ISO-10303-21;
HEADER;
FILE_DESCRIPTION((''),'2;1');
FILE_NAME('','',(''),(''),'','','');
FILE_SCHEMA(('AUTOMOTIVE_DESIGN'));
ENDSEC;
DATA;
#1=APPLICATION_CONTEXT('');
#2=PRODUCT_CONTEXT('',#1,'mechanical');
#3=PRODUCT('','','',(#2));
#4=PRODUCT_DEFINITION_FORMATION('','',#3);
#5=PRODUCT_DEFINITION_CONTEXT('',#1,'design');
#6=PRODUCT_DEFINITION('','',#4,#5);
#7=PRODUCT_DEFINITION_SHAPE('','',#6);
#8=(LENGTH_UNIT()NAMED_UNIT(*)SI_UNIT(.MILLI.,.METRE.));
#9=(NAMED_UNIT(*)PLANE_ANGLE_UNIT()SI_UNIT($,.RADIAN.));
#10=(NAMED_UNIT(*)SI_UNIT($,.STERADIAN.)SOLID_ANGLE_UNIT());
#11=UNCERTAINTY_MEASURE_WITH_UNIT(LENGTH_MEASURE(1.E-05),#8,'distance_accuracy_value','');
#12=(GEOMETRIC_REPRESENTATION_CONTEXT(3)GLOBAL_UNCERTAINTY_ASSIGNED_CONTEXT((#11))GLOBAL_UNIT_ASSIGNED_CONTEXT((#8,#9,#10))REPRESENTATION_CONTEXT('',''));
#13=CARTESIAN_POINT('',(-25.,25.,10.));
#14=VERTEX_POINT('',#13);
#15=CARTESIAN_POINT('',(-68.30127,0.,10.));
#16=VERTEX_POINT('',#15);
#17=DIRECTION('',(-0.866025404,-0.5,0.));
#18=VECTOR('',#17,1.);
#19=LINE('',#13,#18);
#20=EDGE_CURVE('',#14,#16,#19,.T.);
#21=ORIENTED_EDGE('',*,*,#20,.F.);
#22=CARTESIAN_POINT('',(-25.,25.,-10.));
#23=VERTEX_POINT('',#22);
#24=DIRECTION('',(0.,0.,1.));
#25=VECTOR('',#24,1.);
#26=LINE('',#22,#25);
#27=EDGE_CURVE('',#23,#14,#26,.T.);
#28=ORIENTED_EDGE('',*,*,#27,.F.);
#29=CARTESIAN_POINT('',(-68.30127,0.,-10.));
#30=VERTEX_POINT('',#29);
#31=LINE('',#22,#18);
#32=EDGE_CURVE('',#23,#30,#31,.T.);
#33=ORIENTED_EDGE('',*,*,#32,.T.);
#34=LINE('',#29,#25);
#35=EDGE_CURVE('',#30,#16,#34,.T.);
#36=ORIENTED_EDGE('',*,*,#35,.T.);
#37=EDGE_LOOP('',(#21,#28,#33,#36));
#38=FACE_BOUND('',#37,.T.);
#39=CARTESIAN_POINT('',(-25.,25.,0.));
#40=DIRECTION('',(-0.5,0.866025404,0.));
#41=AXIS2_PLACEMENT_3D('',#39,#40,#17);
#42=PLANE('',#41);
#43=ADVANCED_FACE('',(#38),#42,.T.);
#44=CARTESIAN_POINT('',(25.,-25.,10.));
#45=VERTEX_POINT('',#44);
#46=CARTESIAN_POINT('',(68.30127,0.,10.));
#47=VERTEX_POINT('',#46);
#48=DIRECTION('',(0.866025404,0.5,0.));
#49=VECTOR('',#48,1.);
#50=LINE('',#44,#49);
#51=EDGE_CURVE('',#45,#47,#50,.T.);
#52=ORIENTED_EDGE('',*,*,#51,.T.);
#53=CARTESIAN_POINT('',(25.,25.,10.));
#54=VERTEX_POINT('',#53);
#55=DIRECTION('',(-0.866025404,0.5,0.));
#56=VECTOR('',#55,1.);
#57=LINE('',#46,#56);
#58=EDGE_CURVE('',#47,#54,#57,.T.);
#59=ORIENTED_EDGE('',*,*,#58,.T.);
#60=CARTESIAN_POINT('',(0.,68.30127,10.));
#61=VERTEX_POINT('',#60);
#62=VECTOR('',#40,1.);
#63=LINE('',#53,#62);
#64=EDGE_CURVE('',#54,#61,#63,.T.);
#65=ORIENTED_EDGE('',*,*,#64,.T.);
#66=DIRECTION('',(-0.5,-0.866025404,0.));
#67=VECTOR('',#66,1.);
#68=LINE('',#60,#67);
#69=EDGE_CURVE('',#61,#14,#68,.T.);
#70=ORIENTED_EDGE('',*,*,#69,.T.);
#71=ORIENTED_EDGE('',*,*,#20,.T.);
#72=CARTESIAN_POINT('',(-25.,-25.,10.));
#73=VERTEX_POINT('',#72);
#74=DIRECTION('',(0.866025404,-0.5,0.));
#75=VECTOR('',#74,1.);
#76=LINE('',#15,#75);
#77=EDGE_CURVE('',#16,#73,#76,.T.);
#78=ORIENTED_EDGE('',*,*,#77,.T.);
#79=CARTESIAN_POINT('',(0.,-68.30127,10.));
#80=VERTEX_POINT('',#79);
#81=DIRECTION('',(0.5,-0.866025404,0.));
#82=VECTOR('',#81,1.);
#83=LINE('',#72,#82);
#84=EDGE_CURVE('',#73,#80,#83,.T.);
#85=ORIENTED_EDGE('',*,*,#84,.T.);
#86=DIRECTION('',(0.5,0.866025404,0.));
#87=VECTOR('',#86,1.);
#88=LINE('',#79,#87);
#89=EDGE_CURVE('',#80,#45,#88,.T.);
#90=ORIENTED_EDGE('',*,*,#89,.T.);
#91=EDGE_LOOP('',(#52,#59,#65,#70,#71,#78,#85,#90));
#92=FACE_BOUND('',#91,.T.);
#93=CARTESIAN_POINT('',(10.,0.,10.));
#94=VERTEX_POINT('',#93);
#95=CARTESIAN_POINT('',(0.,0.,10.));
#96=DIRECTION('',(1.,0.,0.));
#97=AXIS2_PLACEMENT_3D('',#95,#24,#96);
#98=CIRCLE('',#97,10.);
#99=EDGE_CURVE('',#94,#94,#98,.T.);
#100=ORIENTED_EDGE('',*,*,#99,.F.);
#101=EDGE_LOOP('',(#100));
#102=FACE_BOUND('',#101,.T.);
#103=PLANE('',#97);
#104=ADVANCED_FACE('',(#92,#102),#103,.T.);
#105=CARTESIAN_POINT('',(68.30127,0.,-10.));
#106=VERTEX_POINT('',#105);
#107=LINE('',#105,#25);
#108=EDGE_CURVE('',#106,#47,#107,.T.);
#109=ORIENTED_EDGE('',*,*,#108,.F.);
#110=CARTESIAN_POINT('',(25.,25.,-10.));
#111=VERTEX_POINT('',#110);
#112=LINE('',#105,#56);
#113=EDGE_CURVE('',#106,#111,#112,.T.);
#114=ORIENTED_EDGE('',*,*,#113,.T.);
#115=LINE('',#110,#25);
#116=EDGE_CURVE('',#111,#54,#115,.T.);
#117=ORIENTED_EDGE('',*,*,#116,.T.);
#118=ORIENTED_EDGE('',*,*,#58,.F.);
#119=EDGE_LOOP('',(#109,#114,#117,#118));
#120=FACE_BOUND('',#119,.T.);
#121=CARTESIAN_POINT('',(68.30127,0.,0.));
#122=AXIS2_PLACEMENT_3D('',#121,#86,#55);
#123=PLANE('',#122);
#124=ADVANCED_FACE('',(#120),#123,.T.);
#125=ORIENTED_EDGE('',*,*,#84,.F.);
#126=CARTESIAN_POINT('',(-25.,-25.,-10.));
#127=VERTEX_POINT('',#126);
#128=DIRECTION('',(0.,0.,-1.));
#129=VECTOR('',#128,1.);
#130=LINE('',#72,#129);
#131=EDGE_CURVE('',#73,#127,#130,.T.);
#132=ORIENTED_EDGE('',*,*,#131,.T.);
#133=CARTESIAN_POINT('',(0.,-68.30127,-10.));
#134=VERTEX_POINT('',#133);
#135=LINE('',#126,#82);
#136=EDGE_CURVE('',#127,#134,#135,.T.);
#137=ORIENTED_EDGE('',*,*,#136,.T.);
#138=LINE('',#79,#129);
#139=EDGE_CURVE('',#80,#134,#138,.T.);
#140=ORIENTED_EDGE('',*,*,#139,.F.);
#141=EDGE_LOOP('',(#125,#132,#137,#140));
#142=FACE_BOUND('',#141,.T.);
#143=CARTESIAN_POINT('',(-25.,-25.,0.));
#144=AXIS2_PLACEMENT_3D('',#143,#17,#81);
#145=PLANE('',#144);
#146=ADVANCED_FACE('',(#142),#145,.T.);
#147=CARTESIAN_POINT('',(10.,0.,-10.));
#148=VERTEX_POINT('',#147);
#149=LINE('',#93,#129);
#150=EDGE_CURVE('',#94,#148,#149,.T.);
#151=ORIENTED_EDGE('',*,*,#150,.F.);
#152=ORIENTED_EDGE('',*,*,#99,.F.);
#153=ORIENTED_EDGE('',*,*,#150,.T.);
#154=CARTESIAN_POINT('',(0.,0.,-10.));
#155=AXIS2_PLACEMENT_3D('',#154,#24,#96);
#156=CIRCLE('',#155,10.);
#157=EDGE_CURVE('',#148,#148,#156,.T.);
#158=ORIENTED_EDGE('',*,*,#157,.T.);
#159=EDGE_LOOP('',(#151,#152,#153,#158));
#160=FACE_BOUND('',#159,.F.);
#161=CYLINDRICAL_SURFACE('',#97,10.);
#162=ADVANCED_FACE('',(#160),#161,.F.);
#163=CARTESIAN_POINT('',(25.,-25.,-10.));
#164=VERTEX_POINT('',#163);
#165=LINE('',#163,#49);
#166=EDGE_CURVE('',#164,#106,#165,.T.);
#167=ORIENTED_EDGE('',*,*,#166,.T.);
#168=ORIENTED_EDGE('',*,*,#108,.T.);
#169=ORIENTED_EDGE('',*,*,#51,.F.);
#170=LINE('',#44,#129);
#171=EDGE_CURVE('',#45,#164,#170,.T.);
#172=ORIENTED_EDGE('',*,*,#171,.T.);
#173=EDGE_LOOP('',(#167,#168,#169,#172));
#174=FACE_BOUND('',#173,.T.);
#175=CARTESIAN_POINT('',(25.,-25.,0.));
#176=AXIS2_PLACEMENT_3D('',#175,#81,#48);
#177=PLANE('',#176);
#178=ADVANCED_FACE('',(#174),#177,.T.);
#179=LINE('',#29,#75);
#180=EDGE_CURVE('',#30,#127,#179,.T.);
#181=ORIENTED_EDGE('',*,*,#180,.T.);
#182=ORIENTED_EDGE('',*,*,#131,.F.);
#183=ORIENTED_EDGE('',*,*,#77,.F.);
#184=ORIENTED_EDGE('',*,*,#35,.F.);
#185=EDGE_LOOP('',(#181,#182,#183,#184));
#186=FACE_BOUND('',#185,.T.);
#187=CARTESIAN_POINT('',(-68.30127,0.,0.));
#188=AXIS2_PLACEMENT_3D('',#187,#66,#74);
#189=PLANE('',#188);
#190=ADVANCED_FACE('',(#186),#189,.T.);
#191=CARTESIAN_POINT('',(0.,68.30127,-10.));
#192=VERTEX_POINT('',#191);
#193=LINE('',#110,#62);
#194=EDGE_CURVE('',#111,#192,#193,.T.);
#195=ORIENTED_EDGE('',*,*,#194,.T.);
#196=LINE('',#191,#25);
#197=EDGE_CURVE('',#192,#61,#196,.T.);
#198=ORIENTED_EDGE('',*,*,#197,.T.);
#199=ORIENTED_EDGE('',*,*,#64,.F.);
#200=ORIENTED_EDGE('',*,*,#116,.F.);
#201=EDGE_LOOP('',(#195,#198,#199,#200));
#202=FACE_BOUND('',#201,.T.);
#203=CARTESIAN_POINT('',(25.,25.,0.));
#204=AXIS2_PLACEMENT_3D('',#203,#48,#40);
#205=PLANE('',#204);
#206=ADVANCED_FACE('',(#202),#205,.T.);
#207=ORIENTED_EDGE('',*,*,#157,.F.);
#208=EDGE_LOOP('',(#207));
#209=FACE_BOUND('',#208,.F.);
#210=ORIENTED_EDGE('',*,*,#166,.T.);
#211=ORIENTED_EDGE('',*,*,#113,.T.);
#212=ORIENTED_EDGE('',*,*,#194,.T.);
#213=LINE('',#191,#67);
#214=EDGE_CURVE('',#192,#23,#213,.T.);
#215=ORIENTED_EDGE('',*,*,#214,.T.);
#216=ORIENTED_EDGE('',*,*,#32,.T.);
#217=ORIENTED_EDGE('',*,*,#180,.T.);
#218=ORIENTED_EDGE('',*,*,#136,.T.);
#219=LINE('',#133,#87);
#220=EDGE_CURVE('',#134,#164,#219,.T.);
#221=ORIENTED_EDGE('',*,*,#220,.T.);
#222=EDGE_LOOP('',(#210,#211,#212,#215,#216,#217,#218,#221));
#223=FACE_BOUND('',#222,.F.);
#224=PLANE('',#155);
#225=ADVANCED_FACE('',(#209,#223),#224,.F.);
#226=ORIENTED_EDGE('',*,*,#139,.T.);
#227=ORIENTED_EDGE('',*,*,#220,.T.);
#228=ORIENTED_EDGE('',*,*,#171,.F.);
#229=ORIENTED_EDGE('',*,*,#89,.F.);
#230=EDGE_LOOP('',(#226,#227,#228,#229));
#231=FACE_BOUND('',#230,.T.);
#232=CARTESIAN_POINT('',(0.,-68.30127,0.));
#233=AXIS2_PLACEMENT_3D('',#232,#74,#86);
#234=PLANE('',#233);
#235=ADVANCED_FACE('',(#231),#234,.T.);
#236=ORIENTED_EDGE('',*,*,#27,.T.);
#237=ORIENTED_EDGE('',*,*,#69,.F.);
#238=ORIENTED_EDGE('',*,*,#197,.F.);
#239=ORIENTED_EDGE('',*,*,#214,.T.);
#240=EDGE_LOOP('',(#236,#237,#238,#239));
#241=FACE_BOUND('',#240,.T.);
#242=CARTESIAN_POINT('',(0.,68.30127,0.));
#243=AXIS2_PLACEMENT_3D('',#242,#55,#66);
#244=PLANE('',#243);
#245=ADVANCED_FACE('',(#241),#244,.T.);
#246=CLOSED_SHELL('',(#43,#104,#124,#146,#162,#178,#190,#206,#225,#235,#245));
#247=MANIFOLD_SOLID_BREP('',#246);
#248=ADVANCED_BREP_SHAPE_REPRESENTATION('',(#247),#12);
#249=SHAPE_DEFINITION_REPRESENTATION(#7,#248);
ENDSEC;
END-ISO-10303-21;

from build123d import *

# Parameters (mm, degrees)
F0_W          = 50
F0_H          = 50
F1_DEPTH      = 10
F1_DEPTH_BACK = 10
F2_R          = 10
F3_DEPTH      = 20.001


with BuildPart() as f1:
    # F0 (on Top) → F1 (new body, two sides)
    with BuildSketch(Plane.XY) as f1_sk:
        Rectangle(F0_W, F0_H)
        Polygon((68.3012701892, 0), (25, 25), (25, -25), align=None)
        Polygon((-25, 25), (25, 25), (0, 68.3012701892), align=None)
        Polygon((-25, -25), (-25, 25), (-68.3012701892, 0), align=None)
        Polygon((0, -68.3012701892), (25, -25), (-25, -25), align=None)
    extrude(amount=F1_DEPTH)
    extrude(f1_sk.sketch, amount=-F1_DEPTH_BACK)

    # F2 (on face) → F3 (cut, through all)
    with BuildSketch(Plane.XY.offset(10)):
        Circle(F2_R)
    extrude(amount=-F3_DEPTH, mode=Mode.SUBTRACT)


solid = f1.part
